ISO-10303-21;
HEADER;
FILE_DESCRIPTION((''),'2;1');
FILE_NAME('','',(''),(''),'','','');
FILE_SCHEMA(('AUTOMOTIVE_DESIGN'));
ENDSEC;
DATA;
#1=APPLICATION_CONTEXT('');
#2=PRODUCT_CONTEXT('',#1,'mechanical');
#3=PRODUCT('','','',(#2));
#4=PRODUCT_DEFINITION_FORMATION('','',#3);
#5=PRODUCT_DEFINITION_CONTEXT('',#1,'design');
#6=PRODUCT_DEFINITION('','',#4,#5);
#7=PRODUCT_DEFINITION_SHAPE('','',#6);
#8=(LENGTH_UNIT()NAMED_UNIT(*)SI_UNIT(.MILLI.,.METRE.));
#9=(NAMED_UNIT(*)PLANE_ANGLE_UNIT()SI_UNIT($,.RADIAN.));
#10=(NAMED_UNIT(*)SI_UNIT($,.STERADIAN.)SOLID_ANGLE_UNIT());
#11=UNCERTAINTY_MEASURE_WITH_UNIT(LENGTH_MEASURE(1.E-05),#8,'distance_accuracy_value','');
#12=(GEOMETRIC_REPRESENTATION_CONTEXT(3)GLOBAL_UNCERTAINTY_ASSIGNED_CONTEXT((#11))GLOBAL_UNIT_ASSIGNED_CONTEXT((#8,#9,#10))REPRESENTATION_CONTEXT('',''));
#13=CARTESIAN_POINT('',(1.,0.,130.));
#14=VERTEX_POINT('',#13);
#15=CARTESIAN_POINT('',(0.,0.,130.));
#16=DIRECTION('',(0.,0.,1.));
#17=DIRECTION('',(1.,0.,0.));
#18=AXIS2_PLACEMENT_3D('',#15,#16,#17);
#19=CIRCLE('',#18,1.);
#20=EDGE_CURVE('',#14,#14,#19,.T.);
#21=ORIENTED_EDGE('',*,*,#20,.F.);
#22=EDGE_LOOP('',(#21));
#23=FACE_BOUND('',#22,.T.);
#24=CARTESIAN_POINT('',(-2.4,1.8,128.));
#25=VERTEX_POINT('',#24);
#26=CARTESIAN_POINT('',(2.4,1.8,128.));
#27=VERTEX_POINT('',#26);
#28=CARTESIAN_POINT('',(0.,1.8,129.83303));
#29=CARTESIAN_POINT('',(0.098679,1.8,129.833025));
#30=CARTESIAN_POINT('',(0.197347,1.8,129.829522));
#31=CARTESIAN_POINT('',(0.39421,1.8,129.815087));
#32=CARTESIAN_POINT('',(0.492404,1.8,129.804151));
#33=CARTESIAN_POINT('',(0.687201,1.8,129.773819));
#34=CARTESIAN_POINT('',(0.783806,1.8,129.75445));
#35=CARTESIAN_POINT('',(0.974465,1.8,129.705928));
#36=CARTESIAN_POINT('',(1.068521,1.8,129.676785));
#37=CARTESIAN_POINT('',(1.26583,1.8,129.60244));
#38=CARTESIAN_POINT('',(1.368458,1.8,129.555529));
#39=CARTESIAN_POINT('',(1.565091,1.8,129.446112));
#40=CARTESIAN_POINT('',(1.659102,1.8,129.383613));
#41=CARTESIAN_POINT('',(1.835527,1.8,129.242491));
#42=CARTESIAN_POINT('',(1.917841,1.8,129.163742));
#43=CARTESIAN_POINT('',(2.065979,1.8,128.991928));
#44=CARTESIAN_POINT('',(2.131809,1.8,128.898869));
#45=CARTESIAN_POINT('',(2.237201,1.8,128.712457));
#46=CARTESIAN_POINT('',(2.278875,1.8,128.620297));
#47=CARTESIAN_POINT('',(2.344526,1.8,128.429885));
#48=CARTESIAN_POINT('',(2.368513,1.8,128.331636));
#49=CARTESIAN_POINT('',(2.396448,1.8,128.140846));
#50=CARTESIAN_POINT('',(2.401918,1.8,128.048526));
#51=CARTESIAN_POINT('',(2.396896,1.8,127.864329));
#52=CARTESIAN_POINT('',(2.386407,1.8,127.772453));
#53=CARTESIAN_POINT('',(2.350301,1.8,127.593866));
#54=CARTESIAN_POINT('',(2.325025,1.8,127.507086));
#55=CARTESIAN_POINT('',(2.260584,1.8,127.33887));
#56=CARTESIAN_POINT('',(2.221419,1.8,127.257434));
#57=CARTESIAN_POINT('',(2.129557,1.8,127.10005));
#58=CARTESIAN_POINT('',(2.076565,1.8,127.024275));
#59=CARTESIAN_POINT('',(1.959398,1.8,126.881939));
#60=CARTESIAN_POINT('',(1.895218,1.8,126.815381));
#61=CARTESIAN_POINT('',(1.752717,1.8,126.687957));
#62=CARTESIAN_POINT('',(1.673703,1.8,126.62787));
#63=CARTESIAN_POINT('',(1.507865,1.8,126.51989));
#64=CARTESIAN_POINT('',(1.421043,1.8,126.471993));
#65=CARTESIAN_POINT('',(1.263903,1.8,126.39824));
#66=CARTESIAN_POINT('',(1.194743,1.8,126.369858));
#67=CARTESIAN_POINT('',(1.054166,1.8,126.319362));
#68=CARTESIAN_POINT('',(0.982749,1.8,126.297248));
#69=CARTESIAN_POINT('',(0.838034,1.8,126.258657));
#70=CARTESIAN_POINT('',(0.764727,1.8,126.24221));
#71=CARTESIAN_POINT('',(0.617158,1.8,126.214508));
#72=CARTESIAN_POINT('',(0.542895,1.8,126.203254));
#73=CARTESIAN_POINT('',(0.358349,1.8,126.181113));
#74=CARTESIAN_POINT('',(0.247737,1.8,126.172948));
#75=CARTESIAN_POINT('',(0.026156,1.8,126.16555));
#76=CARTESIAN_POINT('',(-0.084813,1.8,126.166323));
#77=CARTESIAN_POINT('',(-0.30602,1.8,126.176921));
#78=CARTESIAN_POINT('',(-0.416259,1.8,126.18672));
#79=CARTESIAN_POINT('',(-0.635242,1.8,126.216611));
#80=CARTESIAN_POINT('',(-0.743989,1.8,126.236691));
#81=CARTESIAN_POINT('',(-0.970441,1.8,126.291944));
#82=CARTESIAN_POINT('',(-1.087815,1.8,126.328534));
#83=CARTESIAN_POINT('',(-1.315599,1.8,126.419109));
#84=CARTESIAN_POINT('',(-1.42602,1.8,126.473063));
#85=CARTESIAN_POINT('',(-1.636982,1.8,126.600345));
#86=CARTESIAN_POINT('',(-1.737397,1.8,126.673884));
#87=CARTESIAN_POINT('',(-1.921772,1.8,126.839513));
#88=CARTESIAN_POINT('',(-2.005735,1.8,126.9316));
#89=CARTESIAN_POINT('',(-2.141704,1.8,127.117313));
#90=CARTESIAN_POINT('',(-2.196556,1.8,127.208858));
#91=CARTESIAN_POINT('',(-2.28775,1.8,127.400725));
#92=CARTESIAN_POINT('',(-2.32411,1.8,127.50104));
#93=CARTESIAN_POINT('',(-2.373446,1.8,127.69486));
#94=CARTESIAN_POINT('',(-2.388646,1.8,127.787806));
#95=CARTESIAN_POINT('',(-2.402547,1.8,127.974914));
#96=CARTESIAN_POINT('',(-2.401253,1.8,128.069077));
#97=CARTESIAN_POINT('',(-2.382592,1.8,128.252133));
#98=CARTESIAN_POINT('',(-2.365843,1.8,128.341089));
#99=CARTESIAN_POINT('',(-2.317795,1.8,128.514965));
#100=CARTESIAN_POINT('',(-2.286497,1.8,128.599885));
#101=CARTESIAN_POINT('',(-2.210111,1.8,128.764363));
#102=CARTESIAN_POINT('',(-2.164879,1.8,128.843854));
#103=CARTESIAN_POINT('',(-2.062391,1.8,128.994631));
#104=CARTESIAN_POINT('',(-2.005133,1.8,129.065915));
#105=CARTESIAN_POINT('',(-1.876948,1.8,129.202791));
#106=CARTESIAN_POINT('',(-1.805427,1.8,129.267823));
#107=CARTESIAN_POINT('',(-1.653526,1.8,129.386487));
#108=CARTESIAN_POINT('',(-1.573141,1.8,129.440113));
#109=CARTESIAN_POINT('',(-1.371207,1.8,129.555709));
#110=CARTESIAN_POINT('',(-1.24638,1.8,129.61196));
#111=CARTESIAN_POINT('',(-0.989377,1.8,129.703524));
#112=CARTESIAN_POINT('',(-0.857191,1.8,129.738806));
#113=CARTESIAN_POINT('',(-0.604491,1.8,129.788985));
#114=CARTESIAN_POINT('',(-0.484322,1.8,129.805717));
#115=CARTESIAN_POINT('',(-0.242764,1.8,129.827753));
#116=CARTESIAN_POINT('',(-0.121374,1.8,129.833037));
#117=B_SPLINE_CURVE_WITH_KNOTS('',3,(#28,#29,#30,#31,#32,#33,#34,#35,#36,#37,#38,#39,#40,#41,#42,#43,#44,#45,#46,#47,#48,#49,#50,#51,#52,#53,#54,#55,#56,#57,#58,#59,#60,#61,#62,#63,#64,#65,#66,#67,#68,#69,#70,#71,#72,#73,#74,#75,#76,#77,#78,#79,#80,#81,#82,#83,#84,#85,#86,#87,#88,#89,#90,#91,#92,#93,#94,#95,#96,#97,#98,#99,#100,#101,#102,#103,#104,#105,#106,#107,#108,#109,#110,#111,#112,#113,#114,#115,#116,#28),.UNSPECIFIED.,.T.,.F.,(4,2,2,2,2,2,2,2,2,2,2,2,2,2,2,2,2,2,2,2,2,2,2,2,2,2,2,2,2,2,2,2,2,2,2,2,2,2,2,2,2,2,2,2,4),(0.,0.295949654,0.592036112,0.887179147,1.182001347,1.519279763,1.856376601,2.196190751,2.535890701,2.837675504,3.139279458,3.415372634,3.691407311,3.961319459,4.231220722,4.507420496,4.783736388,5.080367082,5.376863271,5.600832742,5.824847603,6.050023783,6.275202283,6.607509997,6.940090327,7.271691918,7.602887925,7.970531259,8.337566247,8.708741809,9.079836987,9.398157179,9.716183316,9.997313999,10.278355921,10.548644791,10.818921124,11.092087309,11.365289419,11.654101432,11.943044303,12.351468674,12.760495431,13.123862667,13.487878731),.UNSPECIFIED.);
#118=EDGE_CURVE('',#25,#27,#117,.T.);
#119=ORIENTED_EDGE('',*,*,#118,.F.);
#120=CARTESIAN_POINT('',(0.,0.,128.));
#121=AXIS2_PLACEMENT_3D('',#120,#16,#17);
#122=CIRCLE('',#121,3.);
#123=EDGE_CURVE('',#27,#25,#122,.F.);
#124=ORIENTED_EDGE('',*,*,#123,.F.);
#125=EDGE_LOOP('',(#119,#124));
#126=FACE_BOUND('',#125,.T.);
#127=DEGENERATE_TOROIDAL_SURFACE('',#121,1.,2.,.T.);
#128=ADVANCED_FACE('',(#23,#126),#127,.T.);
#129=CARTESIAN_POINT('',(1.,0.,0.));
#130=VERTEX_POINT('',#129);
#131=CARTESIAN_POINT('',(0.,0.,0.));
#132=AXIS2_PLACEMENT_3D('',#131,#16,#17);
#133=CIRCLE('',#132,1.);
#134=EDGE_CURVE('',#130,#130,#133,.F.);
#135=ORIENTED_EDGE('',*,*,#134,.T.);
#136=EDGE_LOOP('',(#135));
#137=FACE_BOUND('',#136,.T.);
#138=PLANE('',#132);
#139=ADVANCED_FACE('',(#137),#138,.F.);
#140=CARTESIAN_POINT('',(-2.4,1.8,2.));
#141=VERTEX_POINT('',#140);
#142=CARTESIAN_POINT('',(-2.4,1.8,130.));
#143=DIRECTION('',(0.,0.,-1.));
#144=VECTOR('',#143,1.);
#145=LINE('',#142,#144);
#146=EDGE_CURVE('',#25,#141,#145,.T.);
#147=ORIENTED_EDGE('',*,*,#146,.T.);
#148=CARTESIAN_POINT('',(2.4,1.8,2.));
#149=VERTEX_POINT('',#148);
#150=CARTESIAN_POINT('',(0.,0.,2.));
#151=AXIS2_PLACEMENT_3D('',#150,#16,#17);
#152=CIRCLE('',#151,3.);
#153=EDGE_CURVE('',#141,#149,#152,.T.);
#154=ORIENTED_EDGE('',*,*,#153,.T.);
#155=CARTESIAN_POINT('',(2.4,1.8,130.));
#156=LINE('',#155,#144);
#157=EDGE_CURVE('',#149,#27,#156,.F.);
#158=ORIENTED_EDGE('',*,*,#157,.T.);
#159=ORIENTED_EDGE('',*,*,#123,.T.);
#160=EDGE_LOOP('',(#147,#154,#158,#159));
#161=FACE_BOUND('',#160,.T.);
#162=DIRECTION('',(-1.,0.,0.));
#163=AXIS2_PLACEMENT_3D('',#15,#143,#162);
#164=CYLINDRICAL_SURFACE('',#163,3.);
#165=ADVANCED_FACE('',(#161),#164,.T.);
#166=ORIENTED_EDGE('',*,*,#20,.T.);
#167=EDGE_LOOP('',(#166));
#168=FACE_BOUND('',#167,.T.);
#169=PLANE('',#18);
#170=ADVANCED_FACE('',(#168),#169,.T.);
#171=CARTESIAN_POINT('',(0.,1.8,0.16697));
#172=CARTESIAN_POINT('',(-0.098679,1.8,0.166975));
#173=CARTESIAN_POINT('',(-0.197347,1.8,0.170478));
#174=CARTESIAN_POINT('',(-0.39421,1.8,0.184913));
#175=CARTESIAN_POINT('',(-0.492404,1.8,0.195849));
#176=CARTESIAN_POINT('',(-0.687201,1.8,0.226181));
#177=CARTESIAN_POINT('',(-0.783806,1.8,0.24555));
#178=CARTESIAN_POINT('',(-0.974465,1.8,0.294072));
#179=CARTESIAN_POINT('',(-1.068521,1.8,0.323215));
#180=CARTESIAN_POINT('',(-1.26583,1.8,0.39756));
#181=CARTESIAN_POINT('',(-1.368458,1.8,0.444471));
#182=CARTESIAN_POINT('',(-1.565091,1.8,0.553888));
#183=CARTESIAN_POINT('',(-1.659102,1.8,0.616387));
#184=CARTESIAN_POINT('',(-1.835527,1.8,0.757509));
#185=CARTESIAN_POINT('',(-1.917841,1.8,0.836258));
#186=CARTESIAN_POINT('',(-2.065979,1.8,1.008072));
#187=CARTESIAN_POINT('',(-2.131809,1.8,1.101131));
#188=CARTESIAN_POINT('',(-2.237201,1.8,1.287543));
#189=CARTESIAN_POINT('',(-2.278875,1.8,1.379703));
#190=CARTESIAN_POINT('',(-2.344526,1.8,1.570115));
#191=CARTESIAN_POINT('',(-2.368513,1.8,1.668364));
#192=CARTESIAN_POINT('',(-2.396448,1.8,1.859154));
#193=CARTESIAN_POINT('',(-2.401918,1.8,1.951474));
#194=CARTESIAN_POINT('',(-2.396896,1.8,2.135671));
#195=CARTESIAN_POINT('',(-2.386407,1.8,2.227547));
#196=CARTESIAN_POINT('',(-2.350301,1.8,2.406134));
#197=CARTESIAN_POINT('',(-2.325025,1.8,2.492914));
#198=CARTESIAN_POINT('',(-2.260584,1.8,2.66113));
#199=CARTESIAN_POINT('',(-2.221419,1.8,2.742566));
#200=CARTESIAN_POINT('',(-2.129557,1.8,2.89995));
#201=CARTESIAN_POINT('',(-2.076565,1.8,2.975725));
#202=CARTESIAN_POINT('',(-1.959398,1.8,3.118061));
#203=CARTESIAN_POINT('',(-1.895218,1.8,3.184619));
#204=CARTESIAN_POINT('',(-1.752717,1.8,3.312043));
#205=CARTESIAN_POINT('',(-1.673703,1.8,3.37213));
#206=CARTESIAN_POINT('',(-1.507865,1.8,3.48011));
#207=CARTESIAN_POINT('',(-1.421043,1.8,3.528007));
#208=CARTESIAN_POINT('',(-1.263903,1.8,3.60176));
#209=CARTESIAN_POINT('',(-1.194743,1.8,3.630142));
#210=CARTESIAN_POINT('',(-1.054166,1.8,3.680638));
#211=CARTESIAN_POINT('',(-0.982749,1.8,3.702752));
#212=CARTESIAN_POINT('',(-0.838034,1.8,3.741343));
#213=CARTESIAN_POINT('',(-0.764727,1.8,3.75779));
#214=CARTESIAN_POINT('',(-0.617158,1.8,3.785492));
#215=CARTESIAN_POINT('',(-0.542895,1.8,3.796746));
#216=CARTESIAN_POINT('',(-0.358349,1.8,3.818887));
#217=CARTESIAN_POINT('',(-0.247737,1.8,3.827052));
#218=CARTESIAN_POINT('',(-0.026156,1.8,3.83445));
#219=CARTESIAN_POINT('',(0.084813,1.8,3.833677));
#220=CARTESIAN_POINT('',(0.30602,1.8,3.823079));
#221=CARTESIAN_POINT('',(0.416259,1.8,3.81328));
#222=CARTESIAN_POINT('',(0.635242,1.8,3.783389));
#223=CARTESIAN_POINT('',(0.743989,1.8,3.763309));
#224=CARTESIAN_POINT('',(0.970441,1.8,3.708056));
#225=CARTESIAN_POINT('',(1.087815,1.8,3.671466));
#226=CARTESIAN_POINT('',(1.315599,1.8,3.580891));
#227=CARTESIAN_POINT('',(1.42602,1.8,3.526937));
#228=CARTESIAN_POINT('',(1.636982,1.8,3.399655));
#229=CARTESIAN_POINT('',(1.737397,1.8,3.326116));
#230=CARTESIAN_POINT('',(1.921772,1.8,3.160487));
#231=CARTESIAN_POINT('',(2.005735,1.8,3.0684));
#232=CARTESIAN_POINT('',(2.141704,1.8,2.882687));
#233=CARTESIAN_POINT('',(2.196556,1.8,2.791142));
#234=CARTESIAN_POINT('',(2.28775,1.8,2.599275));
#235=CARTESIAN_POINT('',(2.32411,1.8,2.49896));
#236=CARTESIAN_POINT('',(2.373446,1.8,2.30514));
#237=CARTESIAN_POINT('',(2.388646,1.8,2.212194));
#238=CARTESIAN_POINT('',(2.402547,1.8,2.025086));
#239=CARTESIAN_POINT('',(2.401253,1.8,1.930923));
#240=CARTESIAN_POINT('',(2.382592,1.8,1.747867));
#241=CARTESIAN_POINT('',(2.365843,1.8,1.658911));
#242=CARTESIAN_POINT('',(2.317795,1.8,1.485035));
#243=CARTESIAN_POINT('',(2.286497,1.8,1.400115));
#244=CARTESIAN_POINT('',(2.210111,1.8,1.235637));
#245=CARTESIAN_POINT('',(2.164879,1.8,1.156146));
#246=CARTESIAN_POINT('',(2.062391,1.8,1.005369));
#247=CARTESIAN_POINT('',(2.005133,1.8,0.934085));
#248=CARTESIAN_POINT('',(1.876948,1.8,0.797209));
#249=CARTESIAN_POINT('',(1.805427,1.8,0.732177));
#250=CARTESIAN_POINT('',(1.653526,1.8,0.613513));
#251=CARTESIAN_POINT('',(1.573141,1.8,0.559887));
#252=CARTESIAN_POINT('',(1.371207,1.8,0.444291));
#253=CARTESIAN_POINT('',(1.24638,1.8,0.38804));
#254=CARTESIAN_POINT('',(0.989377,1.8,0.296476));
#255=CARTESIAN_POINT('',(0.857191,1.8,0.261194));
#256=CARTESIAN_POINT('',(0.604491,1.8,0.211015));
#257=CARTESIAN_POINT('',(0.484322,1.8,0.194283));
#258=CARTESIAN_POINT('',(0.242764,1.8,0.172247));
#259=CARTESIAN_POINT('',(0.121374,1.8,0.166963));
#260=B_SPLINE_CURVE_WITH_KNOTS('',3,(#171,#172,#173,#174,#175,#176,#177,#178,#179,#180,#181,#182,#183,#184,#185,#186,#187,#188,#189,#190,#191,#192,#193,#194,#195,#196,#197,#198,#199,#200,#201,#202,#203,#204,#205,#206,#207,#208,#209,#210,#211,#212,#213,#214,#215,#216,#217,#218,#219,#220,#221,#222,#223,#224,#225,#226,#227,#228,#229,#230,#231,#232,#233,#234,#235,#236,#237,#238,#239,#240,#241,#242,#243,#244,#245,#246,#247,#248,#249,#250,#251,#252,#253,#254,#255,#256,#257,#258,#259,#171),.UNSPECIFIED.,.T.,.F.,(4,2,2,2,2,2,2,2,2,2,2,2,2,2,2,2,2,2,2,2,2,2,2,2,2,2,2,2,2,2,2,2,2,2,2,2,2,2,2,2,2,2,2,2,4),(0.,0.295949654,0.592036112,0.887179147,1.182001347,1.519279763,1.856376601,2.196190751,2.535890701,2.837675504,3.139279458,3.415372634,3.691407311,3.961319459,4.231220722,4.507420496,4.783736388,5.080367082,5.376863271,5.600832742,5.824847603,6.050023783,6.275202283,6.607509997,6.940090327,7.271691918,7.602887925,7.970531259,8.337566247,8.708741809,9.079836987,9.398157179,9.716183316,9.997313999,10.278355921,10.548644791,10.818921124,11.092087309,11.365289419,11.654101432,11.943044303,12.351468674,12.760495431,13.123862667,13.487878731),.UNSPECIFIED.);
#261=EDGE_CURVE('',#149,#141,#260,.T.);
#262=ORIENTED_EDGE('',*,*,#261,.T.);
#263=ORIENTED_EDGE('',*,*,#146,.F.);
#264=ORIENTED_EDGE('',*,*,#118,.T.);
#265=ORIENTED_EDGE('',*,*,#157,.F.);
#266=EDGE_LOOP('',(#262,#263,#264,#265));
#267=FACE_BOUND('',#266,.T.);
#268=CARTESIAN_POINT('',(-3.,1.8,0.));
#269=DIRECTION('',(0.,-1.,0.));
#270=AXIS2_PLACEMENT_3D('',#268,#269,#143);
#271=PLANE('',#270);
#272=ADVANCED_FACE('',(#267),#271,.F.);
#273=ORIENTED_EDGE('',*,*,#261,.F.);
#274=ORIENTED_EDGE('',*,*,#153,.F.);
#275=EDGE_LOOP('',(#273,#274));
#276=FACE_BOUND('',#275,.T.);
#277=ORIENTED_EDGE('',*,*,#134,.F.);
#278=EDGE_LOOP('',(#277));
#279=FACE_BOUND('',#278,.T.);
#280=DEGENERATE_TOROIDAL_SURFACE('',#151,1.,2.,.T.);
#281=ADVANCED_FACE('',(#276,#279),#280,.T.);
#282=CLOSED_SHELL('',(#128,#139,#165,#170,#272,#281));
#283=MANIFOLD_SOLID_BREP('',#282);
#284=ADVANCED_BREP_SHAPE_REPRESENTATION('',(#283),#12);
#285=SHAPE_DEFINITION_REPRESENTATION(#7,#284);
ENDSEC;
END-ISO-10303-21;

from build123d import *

# Parameters (mm, degrees)
ESQUISSE1_R             = 3
BOSS_EXTRU_1_DEPTH      = 130
CONG_1_R                = 2
ESQUISSE2_W             = 6
ESQUISSE2_H             = 1.2
ENL_V_MAT_EXTRU_1_DEPTH = 131.069212347


with BuildPart() as part:
    # Esquisse1 → Boss.-Extru.1 (new body)
    with BuildSketch(Plane.XY):
        Circle(ESQUISSE1_R)
    extrude(amount=BOSS_EXTRU_1_DEPTH)

    # Congé1
    cong_1_edges = [part.edges().sort_by_distance(p)[0] for p in [
        (-3, 0, 0),
        (-3, 0, 130),
    ]]
    fillet(cong_1_edges, radius=CONG_1_R)

    # Esquisse2 → Enlèv. mat.-Extru.1 (cut, through all)
    with BuildSketch(Plane.XY.offset(130)):
        with Locations((0, 2.4)):
            Rectangle(ESQUISSE2_W, ESQUISSE2_H)
    extrude(amount=-ENL_V_MAT_EXTRU_1_DEPTH, mode=Mode.SUBTRACT)


solid = part.part
